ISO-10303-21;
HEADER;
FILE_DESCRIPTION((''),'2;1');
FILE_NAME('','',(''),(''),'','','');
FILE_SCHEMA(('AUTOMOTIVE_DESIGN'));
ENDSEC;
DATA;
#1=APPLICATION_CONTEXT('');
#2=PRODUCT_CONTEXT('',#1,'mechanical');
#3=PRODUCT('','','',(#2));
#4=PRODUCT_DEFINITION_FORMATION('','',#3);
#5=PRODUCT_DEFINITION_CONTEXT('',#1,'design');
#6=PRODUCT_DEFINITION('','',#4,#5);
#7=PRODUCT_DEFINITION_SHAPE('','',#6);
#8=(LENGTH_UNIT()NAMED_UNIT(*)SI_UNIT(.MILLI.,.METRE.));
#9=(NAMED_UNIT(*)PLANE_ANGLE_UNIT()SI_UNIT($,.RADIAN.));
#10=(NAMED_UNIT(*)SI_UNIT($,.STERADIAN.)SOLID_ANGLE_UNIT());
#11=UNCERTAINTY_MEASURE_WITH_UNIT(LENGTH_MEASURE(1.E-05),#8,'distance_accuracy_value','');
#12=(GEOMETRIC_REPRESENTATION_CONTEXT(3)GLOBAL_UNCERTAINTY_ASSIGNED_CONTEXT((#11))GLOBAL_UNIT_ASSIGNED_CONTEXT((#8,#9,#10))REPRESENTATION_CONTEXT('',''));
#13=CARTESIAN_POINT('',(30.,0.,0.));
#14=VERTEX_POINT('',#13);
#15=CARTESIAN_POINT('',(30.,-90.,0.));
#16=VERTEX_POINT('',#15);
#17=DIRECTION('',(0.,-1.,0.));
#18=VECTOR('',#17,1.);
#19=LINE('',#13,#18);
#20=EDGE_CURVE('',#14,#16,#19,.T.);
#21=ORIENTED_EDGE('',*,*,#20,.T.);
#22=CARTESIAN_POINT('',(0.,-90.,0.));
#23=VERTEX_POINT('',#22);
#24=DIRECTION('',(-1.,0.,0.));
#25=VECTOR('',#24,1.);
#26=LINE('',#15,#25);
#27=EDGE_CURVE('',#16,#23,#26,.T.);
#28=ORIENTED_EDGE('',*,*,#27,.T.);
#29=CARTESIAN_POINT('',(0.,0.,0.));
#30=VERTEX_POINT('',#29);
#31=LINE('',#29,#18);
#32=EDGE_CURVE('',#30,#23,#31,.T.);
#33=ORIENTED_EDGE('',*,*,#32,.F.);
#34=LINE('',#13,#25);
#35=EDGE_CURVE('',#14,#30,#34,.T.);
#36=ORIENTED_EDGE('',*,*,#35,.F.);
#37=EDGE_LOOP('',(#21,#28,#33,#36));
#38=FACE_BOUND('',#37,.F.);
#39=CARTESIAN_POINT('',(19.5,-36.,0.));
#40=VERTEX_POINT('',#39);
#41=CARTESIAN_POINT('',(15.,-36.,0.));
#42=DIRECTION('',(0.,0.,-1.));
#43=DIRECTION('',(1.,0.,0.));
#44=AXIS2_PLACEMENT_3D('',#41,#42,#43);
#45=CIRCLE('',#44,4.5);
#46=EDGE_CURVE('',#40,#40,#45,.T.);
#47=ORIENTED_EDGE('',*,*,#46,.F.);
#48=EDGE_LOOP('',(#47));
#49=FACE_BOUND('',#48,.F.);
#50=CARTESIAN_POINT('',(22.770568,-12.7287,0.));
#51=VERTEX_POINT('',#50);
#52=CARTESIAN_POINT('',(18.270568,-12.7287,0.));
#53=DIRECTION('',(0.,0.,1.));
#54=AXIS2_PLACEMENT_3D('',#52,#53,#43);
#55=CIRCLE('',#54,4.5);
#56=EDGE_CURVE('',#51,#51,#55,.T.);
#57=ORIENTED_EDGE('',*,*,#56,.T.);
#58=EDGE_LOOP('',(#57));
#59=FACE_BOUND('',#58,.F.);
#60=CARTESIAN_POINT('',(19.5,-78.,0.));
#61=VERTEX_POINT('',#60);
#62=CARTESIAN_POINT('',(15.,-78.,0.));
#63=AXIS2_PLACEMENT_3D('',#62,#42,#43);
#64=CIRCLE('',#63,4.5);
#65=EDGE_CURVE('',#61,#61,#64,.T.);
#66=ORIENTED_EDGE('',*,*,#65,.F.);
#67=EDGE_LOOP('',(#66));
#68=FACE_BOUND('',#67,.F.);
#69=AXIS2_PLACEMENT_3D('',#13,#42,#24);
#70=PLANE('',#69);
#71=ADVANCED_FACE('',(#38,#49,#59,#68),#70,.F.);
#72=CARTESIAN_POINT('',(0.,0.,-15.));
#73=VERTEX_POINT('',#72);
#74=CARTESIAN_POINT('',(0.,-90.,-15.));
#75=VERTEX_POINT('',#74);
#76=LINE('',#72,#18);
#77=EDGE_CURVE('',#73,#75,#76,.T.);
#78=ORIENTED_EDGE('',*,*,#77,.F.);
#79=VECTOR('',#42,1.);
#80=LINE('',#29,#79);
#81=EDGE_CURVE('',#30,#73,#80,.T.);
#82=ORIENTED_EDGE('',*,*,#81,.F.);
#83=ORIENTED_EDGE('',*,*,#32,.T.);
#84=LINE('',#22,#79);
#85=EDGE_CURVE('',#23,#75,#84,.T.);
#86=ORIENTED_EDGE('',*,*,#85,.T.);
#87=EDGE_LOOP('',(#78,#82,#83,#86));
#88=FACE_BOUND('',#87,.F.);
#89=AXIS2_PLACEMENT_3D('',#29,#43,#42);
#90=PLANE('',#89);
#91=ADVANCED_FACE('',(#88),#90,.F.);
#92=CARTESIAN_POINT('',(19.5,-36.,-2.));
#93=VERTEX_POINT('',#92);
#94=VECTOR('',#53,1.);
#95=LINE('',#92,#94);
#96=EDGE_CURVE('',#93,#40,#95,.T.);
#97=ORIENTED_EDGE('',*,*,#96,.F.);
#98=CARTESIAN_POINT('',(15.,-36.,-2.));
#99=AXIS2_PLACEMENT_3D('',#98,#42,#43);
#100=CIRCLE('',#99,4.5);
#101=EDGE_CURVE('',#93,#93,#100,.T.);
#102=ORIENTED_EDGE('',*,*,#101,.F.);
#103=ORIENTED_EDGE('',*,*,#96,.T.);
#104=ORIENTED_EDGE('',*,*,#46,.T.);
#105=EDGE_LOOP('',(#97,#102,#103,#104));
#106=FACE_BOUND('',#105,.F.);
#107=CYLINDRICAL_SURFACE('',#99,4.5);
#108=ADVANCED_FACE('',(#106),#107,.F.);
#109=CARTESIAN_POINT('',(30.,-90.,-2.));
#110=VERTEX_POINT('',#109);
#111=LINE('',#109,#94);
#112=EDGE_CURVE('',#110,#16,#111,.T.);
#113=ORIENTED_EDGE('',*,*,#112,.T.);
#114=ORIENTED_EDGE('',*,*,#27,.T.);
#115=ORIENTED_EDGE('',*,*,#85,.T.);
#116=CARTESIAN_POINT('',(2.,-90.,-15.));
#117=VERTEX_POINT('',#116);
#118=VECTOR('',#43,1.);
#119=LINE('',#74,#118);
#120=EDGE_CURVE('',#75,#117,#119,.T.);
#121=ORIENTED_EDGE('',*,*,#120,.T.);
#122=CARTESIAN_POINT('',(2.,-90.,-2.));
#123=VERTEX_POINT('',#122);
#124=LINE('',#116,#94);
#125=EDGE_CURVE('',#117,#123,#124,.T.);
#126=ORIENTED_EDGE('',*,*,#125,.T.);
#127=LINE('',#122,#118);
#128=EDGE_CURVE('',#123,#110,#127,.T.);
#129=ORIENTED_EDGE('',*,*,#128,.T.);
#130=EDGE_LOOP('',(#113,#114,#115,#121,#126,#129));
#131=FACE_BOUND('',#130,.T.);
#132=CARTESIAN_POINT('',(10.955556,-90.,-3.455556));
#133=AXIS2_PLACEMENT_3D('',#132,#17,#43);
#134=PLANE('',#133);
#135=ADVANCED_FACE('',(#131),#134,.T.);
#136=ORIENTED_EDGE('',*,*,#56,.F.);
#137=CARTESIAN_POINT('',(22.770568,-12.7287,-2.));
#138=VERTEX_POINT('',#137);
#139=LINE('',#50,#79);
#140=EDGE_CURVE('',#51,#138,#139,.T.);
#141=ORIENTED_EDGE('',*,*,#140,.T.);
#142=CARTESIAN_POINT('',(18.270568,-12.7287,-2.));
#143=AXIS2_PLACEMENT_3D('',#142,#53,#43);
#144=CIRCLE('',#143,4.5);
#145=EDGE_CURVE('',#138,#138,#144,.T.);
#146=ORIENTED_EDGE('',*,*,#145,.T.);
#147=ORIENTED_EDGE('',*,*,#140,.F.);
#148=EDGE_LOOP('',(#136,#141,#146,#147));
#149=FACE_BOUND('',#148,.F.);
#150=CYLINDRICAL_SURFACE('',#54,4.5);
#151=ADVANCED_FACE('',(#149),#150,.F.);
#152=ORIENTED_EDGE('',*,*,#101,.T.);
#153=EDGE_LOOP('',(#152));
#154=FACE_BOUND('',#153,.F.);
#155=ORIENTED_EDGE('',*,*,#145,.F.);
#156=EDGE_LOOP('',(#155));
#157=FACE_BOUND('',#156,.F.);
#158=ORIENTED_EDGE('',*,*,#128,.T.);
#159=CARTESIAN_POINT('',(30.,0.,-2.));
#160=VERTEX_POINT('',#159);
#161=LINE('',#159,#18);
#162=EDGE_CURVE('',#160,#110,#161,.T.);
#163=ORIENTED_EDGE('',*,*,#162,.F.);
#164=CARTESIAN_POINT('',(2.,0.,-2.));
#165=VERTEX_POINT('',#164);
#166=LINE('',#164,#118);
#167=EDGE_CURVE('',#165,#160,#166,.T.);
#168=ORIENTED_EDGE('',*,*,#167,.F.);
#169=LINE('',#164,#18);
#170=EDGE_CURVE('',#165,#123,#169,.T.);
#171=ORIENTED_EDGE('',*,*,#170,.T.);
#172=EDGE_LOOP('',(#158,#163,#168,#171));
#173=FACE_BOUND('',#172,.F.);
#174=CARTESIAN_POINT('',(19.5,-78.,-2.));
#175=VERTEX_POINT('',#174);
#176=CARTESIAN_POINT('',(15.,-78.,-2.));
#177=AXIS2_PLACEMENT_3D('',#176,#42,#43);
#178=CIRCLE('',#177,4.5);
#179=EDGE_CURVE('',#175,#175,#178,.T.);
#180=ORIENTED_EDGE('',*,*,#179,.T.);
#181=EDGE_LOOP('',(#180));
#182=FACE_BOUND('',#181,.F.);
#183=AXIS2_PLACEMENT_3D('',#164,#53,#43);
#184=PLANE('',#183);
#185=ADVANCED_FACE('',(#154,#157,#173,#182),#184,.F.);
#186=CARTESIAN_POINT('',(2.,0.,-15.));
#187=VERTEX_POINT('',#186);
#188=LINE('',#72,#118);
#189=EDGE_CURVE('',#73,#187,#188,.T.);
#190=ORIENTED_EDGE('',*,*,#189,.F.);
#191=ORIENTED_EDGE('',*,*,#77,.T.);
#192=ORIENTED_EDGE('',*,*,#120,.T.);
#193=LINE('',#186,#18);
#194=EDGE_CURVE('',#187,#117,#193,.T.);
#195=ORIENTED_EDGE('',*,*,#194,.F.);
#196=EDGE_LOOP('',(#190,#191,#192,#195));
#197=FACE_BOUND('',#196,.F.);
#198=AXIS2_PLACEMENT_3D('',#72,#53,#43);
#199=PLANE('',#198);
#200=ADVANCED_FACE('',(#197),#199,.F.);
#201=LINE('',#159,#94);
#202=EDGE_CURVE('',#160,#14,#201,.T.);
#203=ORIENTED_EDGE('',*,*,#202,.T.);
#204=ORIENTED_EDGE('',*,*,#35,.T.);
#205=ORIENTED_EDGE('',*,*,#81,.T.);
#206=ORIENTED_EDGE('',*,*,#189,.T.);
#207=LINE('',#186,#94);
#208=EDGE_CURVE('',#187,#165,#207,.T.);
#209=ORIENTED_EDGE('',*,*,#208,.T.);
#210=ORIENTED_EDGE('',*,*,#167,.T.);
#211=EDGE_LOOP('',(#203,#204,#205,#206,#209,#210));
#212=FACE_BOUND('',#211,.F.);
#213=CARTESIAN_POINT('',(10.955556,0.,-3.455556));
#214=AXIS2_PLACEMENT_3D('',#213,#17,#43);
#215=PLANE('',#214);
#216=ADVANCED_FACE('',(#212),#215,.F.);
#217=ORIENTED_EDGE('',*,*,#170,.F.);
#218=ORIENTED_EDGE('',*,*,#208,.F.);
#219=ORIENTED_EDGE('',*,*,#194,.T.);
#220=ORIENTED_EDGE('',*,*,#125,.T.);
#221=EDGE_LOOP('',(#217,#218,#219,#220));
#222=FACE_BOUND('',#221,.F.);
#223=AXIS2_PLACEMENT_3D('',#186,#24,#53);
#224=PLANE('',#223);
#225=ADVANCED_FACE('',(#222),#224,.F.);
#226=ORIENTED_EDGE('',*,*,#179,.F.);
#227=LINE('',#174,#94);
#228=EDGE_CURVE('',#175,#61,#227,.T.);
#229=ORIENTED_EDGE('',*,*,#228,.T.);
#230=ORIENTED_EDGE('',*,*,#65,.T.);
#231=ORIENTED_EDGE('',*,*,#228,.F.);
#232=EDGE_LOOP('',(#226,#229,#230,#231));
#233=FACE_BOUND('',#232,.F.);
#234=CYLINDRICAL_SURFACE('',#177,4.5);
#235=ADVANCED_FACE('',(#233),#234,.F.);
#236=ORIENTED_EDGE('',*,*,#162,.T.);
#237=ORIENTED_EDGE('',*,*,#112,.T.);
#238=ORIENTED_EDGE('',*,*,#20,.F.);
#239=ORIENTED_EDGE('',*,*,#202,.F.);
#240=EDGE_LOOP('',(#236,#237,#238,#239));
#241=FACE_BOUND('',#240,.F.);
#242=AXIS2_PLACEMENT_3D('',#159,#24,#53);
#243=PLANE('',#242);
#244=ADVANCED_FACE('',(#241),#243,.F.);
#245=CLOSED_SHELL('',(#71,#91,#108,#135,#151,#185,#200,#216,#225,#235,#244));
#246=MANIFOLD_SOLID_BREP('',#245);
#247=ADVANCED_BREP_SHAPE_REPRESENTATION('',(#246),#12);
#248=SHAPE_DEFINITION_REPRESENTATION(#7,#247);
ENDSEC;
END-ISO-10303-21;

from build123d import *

# Parameters (mm, degrees)
F1_DEPTH = 90
F2_R     = 4.5
F3_DEPTH = 2.001
F4_R     = 4.5
F5_DEPTH = 15.001


with BuildPart() as f1:
    # F0 (on Front) → F1 (new body)
    with BuildSketch(Plane.XZ):
        Polygon((0, 0), (0, -15), (2, -15), (2, -2), (30, -2), (30, 0), align=None)
    extrude(amount=F1_DEPTH)

    # F2 (on face) → F3 (cut, through all)
    with BuildSketch(Plane(origin=(0, 0, -2), x_dir=(1, 0, 0), z_dir=(0, 0, -1))):
        with Locations((15, 78)):
            Circle(F2_R)
        with Locations((15, 36)):
            Circle(F2_R)
    extrude(amount=-F3_DEPTH, mode=Mode.SUBTRACT)

    # F4 (on face) → F5 (cut, through all)
    with BuildSketch(Plane.XY):
        with Locations((18.270568, -12.7287)):
            Circle(F4_R)
    extrude(amount=-F5_DEPTH, mode=Mode.SUBTRACT)


solid = f1.part
